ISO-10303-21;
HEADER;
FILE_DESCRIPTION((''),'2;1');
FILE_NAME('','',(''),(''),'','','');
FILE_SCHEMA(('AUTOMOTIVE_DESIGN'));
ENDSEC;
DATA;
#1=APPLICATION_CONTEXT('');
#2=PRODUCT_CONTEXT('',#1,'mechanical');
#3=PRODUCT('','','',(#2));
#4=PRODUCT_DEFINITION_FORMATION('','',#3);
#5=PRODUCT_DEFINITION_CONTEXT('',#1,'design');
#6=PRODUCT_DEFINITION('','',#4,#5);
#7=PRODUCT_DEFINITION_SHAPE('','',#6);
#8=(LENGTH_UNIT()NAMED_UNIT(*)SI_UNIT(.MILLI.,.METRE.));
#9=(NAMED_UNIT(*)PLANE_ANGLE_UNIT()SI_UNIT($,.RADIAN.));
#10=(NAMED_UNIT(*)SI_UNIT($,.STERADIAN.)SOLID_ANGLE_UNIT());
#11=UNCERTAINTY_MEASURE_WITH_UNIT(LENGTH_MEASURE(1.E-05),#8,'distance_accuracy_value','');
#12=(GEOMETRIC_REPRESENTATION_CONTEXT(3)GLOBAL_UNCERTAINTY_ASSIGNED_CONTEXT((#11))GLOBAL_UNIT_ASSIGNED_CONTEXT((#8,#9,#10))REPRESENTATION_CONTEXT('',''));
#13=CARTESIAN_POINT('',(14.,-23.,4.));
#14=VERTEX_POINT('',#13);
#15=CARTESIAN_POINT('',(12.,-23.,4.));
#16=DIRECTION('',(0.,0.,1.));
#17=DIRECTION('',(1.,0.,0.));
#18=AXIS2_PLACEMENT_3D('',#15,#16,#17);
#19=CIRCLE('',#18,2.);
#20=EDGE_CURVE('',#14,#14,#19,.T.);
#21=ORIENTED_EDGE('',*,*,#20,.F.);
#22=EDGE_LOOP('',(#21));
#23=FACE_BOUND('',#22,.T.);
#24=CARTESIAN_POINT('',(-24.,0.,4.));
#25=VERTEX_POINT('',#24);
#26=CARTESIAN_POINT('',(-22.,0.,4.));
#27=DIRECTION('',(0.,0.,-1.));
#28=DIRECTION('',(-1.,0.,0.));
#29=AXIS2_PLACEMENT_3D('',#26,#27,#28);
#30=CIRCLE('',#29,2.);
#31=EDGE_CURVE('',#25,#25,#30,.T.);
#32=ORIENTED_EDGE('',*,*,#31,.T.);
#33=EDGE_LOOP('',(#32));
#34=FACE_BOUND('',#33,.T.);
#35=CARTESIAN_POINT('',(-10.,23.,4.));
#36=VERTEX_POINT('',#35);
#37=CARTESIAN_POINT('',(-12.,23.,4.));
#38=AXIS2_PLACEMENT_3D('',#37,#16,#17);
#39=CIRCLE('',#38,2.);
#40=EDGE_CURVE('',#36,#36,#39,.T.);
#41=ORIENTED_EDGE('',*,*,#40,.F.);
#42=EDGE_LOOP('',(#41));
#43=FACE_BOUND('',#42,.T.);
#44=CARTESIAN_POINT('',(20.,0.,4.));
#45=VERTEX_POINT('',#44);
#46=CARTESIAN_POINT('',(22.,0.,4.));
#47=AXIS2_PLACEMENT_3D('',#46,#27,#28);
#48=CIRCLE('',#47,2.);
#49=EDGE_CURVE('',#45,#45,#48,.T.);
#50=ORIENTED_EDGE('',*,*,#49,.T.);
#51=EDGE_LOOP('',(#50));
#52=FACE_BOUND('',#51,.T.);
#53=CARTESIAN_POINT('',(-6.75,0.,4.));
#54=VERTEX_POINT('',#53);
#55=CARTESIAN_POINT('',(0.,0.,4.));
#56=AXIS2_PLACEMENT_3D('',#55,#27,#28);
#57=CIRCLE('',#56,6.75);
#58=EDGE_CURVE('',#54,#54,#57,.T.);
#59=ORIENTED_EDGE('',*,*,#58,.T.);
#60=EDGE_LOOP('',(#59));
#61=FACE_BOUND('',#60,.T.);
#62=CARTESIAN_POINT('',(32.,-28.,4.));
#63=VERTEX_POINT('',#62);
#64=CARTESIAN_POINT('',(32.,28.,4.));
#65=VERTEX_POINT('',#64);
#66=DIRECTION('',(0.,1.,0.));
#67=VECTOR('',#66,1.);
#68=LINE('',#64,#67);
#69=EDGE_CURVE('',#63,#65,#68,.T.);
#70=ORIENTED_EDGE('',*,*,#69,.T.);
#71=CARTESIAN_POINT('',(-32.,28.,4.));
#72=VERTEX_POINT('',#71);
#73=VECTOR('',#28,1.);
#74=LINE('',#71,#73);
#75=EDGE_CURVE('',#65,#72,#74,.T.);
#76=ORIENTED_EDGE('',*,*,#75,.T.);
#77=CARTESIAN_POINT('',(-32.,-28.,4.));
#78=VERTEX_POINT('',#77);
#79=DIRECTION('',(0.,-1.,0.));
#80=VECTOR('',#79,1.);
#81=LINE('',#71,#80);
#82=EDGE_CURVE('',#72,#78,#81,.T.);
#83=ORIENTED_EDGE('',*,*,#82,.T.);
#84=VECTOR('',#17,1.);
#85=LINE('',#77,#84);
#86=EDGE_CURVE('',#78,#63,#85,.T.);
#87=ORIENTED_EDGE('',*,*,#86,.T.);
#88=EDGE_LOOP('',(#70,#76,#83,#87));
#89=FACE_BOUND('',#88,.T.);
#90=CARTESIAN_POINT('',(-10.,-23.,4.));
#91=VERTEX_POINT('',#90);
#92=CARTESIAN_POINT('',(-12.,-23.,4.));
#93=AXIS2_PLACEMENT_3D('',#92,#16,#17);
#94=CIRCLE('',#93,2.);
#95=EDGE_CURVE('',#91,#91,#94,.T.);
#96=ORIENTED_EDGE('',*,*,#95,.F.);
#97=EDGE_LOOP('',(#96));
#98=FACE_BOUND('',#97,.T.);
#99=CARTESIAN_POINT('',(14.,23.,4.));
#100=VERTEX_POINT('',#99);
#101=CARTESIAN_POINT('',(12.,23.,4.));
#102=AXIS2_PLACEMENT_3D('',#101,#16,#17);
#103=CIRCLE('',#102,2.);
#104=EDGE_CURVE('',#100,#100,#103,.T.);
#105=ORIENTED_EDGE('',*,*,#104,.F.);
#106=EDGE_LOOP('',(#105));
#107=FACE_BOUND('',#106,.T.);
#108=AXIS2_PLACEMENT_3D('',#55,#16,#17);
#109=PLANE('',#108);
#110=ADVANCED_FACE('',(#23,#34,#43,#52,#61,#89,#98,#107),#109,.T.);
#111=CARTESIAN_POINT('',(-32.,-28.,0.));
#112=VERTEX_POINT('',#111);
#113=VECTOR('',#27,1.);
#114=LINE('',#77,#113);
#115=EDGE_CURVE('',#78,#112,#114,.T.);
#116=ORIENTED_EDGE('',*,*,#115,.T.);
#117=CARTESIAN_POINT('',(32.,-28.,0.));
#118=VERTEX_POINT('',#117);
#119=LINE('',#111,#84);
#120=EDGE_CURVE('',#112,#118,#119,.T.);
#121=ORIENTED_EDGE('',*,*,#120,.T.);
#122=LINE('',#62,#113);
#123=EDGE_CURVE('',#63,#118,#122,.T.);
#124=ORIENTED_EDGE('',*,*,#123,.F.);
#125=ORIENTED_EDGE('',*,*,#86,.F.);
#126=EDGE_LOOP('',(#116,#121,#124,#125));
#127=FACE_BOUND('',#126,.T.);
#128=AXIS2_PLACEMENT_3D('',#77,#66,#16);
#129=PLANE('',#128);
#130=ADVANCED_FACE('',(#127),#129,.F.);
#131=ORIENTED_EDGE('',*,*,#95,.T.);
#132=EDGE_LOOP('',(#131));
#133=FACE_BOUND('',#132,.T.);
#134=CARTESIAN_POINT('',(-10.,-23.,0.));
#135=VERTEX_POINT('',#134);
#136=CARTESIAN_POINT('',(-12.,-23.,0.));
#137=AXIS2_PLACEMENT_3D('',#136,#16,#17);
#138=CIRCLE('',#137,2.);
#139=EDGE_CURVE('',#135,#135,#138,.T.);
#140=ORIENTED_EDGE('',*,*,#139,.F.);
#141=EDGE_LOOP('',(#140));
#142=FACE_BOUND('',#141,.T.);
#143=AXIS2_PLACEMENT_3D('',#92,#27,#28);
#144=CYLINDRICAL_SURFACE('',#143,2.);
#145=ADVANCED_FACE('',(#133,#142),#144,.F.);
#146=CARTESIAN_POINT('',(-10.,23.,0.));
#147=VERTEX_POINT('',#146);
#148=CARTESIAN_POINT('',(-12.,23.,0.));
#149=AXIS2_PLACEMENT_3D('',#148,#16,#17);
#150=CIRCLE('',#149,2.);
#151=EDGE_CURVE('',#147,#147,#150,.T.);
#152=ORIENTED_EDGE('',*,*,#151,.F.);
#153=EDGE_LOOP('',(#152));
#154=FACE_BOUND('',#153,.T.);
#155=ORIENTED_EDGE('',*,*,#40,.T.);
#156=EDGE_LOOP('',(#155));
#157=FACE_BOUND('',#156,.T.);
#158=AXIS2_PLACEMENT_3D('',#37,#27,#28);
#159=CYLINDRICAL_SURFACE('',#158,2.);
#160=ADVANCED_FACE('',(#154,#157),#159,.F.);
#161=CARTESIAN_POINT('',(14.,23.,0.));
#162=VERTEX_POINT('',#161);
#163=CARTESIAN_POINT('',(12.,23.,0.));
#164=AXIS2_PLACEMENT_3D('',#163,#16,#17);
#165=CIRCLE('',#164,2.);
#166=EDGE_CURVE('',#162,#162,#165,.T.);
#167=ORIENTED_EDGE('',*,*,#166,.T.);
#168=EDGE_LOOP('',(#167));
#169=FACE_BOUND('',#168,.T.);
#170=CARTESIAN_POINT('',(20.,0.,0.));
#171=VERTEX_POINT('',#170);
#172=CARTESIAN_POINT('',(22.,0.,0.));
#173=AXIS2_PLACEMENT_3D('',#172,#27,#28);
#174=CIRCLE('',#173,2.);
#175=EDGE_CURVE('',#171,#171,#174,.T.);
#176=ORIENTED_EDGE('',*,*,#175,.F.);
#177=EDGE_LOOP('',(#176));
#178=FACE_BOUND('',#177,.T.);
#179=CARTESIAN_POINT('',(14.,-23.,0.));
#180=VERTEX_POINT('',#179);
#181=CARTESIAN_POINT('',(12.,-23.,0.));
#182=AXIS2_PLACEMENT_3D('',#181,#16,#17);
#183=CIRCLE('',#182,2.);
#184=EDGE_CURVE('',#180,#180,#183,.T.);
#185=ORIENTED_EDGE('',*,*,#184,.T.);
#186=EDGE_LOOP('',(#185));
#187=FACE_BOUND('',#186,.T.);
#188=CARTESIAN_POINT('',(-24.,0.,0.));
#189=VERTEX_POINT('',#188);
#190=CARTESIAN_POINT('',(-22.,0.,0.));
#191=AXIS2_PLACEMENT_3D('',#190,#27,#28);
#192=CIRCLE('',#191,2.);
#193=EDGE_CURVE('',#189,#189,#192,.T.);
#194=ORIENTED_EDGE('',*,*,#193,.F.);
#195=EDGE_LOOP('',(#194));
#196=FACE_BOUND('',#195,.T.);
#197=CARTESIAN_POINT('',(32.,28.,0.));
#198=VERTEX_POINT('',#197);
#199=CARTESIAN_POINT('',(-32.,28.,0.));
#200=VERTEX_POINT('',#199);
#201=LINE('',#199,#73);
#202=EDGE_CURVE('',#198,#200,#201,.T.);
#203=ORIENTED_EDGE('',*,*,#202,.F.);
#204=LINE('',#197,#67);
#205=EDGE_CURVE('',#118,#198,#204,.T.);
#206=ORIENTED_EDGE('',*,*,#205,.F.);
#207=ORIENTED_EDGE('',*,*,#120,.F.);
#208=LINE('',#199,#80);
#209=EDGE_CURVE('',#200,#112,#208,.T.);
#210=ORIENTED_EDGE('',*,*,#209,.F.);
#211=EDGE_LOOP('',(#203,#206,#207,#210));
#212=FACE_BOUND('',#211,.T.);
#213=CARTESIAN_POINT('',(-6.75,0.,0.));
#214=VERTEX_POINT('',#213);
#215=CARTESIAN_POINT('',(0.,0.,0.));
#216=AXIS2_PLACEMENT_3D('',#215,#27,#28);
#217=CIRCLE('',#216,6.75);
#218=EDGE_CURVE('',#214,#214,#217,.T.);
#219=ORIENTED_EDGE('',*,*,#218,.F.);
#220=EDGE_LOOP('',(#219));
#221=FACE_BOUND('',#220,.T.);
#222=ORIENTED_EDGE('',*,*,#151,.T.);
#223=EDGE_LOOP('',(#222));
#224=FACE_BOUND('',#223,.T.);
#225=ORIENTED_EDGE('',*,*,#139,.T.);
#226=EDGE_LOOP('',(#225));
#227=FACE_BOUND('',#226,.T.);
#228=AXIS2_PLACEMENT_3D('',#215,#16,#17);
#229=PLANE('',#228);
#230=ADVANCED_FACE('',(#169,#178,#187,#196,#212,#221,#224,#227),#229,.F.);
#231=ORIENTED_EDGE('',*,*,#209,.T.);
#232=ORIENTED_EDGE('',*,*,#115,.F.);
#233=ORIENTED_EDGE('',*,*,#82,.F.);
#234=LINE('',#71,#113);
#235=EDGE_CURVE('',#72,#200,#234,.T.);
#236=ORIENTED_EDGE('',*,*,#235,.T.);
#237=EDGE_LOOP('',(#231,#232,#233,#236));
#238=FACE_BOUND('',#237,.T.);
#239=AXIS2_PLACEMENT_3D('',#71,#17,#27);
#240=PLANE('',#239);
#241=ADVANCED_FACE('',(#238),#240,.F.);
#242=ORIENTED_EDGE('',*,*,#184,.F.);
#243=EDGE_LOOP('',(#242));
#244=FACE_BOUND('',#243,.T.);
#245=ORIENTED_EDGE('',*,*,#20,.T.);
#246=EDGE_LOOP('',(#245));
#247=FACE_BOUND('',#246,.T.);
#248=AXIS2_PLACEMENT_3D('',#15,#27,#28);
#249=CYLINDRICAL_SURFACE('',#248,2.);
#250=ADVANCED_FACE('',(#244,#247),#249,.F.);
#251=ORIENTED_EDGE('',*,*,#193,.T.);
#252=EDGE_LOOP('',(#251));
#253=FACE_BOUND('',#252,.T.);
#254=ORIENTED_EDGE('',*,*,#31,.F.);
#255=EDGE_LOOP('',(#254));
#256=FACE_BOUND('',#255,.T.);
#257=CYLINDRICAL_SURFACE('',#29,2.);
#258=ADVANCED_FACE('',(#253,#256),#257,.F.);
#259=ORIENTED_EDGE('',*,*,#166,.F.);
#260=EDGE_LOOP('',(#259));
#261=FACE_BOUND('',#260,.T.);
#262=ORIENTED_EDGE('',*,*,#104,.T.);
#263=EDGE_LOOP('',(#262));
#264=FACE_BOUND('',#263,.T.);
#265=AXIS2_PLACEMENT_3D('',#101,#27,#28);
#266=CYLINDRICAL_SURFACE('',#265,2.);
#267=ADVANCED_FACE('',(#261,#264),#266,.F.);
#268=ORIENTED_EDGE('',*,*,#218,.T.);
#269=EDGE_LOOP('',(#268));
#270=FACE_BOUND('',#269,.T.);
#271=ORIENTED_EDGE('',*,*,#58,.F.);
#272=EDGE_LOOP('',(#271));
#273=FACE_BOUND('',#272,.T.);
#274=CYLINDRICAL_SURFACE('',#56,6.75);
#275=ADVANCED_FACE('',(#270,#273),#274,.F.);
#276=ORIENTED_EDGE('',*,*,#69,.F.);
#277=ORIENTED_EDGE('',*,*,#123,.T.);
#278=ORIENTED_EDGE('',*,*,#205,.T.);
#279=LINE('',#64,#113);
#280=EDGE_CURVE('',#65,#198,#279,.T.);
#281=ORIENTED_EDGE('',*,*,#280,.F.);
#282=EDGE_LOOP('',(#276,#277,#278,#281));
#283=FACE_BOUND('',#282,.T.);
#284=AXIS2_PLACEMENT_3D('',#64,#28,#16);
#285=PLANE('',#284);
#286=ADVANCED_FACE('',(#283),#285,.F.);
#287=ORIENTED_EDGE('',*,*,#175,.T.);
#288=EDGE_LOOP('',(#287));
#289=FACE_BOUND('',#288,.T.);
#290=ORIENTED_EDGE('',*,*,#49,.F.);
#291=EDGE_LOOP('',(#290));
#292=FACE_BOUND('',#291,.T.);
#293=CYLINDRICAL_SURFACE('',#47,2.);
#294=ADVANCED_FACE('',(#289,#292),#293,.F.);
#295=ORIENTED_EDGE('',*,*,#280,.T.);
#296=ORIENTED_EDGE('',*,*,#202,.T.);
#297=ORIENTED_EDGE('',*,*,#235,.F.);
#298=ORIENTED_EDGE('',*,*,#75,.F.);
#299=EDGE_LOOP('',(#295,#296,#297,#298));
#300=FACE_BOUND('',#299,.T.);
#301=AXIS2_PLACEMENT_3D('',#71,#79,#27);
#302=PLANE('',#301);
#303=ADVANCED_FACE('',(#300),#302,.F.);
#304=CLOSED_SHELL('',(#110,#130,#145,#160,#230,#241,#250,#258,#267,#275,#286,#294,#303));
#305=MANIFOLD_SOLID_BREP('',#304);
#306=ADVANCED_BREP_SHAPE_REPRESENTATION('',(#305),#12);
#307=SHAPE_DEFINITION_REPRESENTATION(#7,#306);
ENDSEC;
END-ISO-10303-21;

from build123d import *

# Parameters (mm, degrees)
SKETCH1_W           = 64
SKETCH1_H           = 56
SKETCH1_R           = 2
BOSS_EXTRUDE1_DEPTH = 4
SKETCH2_R           = 6.75
CUT_EXTRUDE1_DEPTH  = 4
SKETCH3_R           = 2
CUT_EXTRUDE2_DEPTH  = 4


with BuildPart() as part:
    # Sketch1 → Boss-Extrude1 (new body)
    with BuildSketch(Plane.XY):
        Rectangle(SKETCH1_W, SKETCH1_H)
        with Locations((-12, 23)):
            Circle(SKETCH1_R, mode=Mode.SUBTRACT)
        with Locations((12, 23)):
            Circle(SKETCH1_R, mode=Mode.SUBTRACT)
        with Locations((-12, -23)):
            Circle(SKETCH1_R, mode=Mode.SUBTRACT)
        with Locations((12, -23)):
            Circle(SKETCH1_R, mode=Mode.SUBTRACT)
    extrude(amount=BOSS_EXTRUDE1_DEPTH)

    # Sketch2 → Cut-Extrude1 (cut)
    with BuildSketch(Plane(origin=(0, 0, 0), x_dir=(-1, 0, 0), z_dir=(0, 0, -1))):
        Circle(SKETCH2_R)
    extrude(amount=-CUT_EXTRUDE1_DEPTH, mode=Mode.SUBTRACT)

    # Sketch3 → Cut-Extrude2 (cut)
    with BuildSketch(Plane(origin=(0, 0, 0), x_dir=(-1, 0, 0), z_dir=(0, 0, -1))):
        with Locations((-22, 0)):
            Circle(SKETCH3_R)
        with Locations((22, 0)):
            Circle(SKETCH3_R)
    extrude(amount=-CUT_EXTRUDE2_DEPTH, mode=Mode.SUBTRACT)


solid = part.part
